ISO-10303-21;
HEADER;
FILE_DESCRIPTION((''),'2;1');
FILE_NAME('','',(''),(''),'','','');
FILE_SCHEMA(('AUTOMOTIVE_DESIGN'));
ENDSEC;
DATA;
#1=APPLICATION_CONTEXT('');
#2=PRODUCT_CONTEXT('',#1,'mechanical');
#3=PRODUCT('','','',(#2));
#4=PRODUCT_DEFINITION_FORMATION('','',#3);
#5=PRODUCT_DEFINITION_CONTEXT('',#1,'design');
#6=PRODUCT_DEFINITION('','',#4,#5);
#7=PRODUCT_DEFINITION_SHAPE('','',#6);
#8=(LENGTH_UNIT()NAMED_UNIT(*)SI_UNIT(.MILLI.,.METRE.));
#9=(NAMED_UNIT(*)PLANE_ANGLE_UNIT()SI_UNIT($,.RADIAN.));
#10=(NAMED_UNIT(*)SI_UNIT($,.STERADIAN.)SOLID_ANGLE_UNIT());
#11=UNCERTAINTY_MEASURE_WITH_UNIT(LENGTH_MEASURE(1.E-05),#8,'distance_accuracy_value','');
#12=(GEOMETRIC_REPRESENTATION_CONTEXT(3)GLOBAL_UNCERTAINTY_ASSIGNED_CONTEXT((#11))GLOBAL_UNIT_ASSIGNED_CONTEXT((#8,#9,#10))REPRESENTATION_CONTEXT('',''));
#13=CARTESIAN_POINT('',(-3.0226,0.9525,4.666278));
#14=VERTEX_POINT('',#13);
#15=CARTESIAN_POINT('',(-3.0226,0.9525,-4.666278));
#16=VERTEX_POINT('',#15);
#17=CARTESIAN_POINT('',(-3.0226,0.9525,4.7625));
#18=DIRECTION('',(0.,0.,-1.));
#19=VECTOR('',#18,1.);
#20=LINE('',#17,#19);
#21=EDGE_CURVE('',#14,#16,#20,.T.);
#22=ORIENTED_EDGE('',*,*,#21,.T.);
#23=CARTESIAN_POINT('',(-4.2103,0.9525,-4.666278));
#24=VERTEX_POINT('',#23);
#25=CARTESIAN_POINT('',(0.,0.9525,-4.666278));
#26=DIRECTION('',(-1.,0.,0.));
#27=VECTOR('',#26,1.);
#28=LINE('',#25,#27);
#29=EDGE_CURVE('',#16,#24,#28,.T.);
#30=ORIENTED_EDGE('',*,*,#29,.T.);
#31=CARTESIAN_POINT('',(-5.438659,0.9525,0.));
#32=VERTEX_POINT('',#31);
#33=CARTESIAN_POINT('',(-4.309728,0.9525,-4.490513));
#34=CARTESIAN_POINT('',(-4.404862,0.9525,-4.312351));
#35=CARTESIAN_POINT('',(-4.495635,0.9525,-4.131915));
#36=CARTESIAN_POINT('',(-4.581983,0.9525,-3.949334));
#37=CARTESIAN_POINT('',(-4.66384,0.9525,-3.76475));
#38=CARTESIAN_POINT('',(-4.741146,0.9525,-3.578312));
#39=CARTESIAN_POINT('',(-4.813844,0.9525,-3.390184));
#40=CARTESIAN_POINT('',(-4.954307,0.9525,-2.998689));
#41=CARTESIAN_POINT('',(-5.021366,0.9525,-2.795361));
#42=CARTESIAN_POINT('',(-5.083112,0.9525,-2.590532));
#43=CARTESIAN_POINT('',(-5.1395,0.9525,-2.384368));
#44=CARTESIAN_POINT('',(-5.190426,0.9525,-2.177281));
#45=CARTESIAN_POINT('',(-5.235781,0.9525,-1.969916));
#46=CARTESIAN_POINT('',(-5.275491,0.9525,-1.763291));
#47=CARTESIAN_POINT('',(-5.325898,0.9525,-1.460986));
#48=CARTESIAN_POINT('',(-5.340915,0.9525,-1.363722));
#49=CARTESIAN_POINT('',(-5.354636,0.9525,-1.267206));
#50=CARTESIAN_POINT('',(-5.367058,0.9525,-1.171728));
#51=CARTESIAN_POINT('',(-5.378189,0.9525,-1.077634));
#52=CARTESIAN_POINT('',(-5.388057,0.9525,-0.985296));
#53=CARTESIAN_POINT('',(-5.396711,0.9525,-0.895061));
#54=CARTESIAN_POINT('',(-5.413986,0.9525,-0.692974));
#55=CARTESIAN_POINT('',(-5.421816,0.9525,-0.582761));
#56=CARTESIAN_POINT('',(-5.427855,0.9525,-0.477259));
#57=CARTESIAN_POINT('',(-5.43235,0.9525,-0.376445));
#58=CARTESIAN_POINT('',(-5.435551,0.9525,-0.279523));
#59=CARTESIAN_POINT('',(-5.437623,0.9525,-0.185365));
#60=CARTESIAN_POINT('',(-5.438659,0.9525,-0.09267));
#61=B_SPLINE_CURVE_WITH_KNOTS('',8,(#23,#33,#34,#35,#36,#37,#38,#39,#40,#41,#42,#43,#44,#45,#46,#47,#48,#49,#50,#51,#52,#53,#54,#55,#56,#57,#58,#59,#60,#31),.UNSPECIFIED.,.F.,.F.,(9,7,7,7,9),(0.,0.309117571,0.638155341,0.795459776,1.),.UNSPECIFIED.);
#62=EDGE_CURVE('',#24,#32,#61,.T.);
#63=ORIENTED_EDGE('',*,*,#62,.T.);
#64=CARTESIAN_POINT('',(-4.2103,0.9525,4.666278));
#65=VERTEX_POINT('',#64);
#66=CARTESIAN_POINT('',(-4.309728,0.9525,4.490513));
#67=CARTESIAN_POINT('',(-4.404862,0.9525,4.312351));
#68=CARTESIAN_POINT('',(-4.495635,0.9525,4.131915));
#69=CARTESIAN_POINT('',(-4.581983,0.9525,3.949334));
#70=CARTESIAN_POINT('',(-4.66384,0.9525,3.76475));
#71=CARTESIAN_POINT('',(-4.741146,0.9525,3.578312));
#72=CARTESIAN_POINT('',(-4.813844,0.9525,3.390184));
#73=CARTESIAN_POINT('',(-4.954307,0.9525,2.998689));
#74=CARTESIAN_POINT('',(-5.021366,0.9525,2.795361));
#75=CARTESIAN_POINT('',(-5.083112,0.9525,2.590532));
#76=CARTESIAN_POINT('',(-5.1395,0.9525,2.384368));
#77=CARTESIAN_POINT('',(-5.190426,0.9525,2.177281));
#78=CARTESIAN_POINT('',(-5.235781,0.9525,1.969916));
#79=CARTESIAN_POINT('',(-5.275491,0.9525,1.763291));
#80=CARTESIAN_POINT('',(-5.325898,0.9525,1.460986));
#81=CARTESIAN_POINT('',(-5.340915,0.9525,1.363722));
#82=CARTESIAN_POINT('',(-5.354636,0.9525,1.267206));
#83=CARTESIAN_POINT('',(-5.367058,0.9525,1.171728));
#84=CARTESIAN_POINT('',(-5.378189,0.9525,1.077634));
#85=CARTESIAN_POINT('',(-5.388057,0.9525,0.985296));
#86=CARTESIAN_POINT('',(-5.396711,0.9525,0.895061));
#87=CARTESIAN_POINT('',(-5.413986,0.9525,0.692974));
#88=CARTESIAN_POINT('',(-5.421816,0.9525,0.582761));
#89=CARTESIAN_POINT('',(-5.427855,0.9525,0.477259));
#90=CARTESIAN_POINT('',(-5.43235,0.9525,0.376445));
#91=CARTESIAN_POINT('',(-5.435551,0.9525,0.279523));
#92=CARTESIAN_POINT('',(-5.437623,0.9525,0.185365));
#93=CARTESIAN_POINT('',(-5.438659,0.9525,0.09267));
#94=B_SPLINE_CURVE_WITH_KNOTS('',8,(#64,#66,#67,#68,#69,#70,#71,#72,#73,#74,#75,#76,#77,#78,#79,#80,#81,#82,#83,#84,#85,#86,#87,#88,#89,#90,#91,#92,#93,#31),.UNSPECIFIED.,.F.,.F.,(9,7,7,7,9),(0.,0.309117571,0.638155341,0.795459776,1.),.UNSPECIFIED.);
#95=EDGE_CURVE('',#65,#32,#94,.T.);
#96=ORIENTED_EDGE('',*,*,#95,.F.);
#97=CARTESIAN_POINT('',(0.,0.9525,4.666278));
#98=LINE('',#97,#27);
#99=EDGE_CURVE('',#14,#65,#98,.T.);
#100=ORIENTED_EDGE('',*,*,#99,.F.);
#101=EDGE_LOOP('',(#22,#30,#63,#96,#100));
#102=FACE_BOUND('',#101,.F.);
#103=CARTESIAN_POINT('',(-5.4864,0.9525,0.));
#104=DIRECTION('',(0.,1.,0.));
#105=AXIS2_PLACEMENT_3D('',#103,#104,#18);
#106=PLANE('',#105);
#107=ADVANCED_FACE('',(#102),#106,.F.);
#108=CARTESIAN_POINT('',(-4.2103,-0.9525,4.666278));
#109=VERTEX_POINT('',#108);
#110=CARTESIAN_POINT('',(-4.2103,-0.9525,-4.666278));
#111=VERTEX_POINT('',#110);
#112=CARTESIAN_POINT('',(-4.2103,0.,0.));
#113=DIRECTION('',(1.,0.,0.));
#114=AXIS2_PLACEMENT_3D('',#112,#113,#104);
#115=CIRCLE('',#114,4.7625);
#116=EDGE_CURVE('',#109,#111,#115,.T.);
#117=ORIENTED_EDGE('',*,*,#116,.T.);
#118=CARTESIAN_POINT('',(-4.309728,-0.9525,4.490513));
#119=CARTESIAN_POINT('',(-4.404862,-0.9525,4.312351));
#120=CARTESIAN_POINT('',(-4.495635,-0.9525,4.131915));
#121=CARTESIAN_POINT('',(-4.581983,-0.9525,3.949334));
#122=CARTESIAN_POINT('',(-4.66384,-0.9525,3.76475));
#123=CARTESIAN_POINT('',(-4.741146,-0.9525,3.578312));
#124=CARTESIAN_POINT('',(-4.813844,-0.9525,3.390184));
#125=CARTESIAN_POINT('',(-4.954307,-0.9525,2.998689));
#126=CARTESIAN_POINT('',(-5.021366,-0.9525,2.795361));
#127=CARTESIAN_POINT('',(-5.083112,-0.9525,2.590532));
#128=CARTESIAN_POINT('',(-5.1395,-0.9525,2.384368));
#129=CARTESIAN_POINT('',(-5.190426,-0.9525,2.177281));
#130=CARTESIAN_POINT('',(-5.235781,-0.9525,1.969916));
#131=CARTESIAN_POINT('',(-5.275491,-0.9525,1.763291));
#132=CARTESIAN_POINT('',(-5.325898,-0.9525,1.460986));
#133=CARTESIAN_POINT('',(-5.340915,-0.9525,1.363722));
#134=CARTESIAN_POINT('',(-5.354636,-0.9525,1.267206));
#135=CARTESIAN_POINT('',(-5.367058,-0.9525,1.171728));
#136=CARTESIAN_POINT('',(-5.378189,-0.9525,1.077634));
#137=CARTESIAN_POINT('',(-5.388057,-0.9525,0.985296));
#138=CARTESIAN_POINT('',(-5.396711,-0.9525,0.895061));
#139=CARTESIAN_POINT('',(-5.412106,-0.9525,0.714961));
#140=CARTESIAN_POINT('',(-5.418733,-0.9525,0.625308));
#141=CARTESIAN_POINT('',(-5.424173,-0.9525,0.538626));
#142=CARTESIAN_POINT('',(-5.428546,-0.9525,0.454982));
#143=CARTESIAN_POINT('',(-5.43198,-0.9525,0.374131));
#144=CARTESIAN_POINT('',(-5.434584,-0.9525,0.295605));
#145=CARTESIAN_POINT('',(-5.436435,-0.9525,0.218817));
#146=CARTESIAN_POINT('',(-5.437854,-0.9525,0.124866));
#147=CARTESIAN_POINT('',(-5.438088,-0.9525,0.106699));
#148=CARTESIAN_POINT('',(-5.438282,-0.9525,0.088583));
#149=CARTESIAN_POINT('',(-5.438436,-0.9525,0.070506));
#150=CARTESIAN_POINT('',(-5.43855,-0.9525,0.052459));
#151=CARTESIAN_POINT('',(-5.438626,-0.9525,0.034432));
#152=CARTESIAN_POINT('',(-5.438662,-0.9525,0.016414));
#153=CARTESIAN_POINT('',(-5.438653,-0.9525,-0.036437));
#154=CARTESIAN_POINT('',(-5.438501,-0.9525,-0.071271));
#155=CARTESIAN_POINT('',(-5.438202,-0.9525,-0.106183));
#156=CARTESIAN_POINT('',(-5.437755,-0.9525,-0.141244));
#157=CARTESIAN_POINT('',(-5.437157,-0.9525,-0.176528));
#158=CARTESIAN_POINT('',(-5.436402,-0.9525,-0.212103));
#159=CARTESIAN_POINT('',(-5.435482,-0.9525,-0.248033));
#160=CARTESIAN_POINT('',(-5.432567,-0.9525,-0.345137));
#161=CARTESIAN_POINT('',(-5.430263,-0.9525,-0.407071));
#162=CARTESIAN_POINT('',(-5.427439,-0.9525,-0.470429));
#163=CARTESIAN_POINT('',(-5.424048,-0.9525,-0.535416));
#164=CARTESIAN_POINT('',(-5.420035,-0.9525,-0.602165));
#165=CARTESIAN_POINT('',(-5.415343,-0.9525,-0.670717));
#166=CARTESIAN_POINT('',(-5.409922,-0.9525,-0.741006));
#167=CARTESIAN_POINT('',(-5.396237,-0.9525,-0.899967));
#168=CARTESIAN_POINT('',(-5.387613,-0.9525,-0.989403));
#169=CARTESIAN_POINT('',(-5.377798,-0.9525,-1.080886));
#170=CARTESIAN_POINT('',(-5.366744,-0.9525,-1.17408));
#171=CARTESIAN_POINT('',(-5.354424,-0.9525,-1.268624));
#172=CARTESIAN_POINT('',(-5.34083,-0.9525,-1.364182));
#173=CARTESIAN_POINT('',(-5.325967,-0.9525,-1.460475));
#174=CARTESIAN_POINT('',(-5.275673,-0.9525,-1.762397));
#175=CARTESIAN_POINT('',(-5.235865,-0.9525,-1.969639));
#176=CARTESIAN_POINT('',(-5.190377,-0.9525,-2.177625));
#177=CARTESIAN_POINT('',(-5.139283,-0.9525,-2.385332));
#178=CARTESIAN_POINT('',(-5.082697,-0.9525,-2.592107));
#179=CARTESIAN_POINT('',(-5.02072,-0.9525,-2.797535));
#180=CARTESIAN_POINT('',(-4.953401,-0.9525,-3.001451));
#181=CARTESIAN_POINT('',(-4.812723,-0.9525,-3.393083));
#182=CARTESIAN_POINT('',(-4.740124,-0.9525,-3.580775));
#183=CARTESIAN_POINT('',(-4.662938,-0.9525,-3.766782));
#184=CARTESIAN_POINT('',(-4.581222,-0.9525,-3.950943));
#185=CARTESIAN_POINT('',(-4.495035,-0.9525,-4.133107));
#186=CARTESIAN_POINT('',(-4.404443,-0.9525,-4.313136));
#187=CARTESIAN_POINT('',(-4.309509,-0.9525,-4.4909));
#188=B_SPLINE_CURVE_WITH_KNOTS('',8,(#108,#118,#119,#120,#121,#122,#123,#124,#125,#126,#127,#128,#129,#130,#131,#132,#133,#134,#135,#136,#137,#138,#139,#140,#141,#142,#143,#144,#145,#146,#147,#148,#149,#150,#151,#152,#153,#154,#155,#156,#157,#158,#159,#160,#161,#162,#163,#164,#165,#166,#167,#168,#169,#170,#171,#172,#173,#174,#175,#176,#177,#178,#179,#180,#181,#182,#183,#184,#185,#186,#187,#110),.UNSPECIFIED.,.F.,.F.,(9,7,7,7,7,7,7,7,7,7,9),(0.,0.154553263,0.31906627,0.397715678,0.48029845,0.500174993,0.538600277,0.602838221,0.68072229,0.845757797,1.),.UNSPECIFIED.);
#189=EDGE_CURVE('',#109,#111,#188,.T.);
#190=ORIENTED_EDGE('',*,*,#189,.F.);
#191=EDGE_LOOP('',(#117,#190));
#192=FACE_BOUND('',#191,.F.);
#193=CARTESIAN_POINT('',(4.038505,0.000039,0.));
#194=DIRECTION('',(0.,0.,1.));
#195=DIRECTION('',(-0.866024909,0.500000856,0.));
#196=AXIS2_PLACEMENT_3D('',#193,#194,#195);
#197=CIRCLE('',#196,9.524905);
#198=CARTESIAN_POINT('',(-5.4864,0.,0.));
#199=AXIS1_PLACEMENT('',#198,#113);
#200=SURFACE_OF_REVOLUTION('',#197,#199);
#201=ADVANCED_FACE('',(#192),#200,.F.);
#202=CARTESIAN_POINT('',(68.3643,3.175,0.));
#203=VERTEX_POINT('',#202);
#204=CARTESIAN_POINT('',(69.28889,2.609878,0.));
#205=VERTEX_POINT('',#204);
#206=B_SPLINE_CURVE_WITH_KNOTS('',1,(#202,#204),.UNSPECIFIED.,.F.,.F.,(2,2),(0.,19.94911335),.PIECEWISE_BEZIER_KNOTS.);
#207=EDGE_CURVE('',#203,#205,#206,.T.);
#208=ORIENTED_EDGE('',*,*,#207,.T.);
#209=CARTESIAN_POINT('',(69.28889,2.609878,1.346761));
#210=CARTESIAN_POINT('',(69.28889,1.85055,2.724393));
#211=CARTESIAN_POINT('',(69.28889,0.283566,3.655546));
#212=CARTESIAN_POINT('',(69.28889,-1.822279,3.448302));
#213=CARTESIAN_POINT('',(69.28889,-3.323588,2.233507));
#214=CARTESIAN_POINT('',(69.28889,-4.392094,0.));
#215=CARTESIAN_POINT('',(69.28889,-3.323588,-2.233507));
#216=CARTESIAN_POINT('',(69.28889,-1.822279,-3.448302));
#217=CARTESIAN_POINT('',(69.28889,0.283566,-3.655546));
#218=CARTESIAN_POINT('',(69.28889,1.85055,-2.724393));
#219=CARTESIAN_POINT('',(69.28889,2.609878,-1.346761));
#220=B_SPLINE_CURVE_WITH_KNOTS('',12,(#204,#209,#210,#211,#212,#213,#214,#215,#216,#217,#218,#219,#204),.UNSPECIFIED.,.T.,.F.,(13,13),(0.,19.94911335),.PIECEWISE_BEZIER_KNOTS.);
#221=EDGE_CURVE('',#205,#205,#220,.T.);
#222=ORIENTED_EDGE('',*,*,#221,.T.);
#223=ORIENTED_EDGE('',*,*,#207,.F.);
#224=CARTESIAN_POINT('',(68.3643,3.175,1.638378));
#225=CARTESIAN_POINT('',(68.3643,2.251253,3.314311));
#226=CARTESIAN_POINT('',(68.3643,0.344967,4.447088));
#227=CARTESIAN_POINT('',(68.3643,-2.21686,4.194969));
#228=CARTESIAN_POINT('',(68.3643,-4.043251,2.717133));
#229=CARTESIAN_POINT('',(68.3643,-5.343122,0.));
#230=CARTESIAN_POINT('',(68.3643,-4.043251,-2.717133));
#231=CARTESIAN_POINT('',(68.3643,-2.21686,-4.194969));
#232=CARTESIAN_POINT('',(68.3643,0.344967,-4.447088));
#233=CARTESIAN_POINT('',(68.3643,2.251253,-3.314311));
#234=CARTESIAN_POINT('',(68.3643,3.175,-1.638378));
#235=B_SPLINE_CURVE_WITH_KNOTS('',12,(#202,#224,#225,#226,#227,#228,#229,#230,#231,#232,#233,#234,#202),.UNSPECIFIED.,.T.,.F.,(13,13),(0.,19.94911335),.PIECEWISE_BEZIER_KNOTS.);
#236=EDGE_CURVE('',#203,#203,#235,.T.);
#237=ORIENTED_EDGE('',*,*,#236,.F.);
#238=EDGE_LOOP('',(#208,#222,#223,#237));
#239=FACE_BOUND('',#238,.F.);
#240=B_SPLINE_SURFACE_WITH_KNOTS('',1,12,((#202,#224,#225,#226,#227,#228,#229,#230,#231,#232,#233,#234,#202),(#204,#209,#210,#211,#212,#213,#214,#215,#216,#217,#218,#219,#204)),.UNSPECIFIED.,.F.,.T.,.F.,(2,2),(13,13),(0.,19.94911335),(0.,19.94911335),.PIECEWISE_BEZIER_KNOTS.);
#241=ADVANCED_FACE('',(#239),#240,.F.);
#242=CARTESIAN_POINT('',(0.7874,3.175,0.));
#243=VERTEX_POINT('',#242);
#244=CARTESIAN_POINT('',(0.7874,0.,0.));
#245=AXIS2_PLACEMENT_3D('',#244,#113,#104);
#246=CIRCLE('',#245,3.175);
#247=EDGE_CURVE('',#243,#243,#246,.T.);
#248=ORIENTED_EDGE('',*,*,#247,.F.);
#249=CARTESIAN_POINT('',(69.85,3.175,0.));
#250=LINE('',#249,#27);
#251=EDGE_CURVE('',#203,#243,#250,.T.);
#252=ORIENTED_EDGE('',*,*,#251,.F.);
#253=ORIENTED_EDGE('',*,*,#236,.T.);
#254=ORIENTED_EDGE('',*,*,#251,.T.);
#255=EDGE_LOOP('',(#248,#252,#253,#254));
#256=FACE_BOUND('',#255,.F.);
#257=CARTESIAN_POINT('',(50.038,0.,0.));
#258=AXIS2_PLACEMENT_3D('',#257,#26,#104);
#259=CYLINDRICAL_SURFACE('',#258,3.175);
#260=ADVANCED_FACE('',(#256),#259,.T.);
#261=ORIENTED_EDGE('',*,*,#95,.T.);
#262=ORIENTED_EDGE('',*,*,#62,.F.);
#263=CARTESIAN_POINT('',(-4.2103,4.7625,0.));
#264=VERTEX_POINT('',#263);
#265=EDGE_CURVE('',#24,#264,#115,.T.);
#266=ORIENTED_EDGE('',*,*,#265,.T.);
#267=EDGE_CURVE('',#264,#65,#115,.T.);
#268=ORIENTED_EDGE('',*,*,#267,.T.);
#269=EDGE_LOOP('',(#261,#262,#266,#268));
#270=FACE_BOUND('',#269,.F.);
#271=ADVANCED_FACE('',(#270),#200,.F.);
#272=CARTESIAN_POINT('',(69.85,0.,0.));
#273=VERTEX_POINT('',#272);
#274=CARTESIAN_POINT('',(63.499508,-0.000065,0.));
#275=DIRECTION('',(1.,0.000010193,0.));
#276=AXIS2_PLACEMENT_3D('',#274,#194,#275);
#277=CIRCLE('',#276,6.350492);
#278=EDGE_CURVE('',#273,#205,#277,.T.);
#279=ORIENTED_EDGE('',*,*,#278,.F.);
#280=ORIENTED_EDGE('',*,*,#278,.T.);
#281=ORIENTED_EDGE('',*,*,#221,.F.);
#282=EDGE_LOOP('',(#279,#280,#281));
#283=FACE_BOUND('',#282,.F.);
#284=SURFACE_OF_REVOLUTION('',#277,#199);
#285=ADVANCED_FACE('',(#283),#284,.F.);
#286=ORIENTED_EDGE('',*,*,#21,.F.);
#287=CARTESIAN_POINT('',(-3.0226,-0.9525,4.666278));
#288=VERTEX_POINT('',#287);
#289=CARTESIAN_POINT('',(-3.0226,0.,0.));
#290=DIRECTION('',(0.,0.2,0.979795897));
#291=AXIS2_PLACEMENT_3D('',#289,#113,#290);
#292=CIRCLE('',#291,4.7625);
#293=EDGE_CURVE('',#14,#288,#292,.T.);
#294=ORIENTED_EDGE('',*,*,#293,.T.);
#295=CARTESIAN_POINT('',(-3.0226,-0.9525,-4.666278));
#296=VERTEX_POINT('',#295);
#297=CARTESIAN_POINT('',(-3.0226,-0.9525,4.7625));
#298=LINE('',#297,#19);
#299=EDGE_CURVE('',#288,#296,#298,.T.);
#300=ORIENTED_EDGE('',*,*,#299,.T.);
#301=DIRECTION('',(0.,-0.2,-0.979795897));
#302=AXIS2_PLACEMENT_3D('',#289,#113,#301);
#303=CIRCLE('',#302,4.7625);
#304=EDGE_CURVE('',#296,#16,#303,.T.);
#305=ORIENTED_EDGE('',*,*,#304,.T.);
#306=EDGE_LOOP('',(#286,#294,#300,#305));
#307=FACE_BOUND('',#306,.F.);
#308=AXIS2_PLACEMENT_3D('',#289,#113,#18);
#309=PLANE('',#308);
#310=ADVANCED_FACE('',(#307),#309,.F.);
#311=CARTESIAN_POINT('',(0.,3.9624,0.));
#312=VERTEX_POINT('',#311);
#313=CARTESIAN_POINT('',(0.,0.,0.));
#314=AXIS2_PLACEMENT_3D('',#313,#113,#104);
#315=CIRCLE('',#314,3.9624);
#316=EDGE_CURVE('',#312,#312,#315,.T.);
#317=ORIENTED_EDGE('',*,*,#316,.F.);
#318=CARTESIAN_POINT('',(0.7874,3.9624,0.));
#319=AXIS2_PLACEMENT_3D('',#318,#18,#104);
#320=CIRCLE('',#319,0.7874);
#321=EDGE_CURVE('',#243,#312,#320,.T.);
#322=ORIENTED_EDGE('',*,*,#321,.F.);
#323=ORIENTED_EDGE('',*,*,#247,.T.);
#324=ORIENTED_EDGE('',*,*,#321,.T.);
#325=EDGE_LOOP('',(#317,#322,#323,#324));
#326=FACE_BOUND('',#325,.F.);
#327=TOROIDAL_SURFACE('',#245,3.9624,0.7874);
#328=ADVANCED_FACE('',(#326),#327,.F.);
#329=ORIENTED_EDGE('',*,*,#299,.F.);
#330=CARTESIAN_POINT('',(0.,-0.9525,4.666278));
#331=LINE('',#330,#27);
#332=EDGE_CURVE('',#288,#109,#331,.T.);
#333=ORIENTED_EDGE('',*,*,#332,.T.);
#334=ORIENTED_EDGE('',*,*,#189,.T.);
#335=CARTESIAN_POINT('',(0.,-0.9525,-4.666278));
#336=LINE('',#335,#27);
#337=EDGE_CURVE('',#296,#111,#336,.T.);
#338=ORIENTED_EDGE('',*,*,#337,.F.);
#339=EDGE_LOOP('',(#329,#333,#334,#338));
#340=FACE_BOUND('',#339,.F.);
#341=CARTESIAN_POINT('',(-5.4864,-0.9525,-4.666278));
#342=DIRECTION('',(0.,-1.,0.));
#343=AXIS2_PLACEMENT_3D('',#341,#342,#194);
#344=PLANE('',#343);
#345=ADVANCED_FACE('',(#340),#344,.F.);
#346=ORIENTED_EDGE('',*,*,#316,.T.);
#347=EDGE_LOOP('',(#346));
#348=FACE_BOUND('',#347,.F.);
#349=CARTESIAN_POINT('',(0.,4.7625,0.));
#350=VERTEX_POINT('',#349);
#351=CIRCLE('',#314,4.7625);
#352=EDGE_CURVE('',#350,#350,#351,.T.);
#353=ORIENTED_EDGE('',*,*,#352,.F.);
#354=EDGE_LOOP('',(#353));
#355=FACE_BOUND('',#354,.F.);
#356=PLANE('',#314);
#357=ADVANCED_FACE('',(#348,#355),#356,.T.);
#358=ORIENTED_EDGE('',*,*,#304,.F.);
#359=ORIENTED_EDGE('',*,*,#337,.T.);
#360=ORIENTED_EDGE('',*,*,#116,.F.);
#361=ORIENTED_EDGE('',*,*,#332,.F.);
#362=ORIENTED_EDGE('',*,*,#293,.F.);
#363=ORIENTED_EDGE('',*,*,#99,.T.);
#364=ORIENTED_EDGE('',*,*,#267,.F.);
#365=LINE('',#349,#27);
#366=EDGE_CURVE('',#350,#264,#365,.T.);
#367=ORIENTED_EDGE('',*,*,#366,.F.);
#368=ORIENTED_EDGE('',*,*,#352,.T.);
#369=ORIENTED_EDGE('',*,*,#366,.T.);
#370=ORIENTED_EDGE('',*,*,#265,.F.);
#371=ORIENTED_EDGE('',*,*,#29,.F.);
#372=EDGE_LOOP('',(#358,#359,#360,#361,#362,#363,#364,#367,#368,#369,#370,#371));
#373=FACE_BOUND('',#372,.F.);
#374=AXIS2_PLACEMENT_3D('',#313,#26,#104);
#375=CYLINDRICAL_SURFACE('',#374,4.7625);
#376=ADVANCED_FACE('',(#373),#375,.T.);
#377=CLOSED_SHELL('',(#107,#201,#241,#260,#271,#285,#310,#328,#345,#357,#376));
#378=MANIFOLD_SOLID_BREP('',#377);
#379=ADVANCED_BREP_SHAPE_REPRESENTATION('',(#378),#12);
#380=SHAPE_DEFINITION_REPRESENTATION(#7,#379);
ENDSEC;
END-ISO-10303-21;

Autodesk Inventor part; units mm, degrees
ref_plane "YZ Plane" through (0, 0, 0) normal (1, 0, 0) x (0, 1, 0)
sketch "Sketch1" plane through (0, 0, 0) normal (0, 0, 1) x (1, 0, 0)
  line L0 (-5.4864, 0) -> (69.85, 0)
  line L1 (69.85, 0) -> (69.85, 3.175)
  line L2 (69.85, 3.175) -> (50.8, 3.175)
  line L3 (50.8, 3.175) -> (50.038, 3.175)
  line L4 (50.038, 3.175) -> (0, 3.175)
  line L5 (0, 3.175) -> (0, 4.7625)
  line L6 (-20.9299, 0) -> (84.98, 0) projected
  line L7 (0, -0.9693) -> (0, 5.8158) projected
  line L8 (0, 4.7625) -> (-4.2103, 4.7625)
  arc A0 (-4.2103, 4.7625) -> (-5.4864, 0) centre (4.0386, 0) ccw
  line L9 (50.8, 3.175) -> (0, 3.175) construction
  dimension "d0" = 69.85
  dimension "d1" = 19.05
  dimension "d2" = 0.762
  dimension "d3" = 5.4864
  dimension "d4" = 6.35
  dimension "d5" = 6.35
  dimension "d9" = 9.525
  dimension "d10" = 0
  dimension "d13" = 9.525
revolve "Body" add sketch "Sketch1" angle 360 about axis through (-5.4864, 0, 0) along (1, 0, 0)
ref_plane "IDS_WORKPLANE{1}" through (-5.4864, 0, 0) normal (1, 0, 0) x (0, 0, -1)
sketch "Sketch2" plane through (-5.4864, 0, 0) normal (1, 0, 0) x (0, 0, -1)
  circle A0 centre (0, 0) radius 4.7625 projected
  line L0 (0, -6.6675) -> (0, 6.6675) projected
  line L1 (6.6675, 0) -> (-6.6675, 0) projected
  line L2 (-4.7625, 0.9525) -> (4.7625, 0.9525)
  line L3 (4.7625, 0.9525) -> (4.7625, -0.9525)
  line L4 (4.7625, -0.9525) -> (-4.7625, -0.9525)
  line L5 (-4.7625, -0.9525) -> (-4.7625, 0.9525)
  line L6 (-4.7625, 0) -> (4.7625, 0) construction
  line L7 (0, 0.9525) -> (0, -0.9525) construction
  dimension "d15" = 1.905
extrude "Slot" cut sketch "Sketch2" along normal blind 2.4638 contours L1 L0 L2 A0 | L3 L4 A0 | A0 L4 L0 L1 | A0 L2 L3 | L1 A0 L2 L0 | L0 L4 A0 L1 | L5 L2 A0 | A0 L4 L5
thread "Thread" size "1/4-20 UNC" class "2A" standard "ANSI Unified Screw Threads" length 19.05
sketch "Sketch3" plane through (0, 0, 0) normal (0, 0, 1) x (1, 0, 0)
  line L0 (69.85, 0) -> (69.85, 3.175) projected
  line L1 (69.85, 3.175) -> (50.8, 3.175) projected
  line L2 (-5.4864, 0) -> (69.85, 0) projected
  arc A0 (69.85, 0) -> (68.9993, 3.175) centre (63.5, 0) ccw
  line L3 (69.85, -3.175) -> (69.85, 3.175) projected
  line L4 (68.9993, 3.175) -> (68.9993, 0)
  line L5 (68.9993, 0) -> (69.85, 0)
  dimension "d40" = 6.35
revolve "Fillet1" cut sketch "Sketch3" angle 360 about axis through (-5.4864, 0, 0) along (1, 0, 0) contours A0 L1 L0
chamfer "Chamfer" distance 0.635 angle 45 1 edges at (68.9993, -3.175, 0)
ref_plane "Work Plane2" through (41.275, 0, 0) normal (0, 0, -1) x (1, 0, 0)
fillet "Fillet4" radius 0.7874 1 edges at (0, -3.175, 0)
equation "\"d0\" = NLG"
equation "\"d1\" = GEL"
equation "\"d2\" = GAL"
equation "\"d3\" = KOH"
equation "\"d4\" = GD"
equation "\"d5\" = BDM"
equation "\"d9\" = KOD"
equation "\"d13\" = KR"
equation "\"d15\" = SBR"
equation "\"d16\" = STI"
equation "\"d40\" = GD"
equation "\"d46\" = R"
equation "\"d11\" = GEL"
equation "\"d43\" = 0.5 * RR"
equation "\"GD\" = NND"
equation "\"NLG\" = 69.85"
equation "\"GEL\" = 19.05"
equation "\"KOD\" = 9.525"
equation "\"KOH\" = 5.4864"
equation "\"GAL\" = 0.762"
equation "\"BDM\" = NND"
equation "\"SBR\" = 1.905"
equation "\"STI\" = 2.4638"
equation "\"KEWI\" = 0"
equation "\"KR\" = KOD"
equation "\"d14\" = -KOH"
equation "\"R\" = 0.7874"
equation "\"THREADDIA\" = 6.35"
equation "\"TOA\" = 30deg"
equation "\"KOH1\" = 4.3688"
equation "\"NND\" = 6.35"
equation "\"GD1\" = 4.8387"
equation "\"THREADDESC\" = 1.2345"
equation "\"RR\" = 1.27"
properties part number "ANSI B18.6.2 - 1/4-20 UNC - 2.75, SFHCSI" material "Steel, Mild"
